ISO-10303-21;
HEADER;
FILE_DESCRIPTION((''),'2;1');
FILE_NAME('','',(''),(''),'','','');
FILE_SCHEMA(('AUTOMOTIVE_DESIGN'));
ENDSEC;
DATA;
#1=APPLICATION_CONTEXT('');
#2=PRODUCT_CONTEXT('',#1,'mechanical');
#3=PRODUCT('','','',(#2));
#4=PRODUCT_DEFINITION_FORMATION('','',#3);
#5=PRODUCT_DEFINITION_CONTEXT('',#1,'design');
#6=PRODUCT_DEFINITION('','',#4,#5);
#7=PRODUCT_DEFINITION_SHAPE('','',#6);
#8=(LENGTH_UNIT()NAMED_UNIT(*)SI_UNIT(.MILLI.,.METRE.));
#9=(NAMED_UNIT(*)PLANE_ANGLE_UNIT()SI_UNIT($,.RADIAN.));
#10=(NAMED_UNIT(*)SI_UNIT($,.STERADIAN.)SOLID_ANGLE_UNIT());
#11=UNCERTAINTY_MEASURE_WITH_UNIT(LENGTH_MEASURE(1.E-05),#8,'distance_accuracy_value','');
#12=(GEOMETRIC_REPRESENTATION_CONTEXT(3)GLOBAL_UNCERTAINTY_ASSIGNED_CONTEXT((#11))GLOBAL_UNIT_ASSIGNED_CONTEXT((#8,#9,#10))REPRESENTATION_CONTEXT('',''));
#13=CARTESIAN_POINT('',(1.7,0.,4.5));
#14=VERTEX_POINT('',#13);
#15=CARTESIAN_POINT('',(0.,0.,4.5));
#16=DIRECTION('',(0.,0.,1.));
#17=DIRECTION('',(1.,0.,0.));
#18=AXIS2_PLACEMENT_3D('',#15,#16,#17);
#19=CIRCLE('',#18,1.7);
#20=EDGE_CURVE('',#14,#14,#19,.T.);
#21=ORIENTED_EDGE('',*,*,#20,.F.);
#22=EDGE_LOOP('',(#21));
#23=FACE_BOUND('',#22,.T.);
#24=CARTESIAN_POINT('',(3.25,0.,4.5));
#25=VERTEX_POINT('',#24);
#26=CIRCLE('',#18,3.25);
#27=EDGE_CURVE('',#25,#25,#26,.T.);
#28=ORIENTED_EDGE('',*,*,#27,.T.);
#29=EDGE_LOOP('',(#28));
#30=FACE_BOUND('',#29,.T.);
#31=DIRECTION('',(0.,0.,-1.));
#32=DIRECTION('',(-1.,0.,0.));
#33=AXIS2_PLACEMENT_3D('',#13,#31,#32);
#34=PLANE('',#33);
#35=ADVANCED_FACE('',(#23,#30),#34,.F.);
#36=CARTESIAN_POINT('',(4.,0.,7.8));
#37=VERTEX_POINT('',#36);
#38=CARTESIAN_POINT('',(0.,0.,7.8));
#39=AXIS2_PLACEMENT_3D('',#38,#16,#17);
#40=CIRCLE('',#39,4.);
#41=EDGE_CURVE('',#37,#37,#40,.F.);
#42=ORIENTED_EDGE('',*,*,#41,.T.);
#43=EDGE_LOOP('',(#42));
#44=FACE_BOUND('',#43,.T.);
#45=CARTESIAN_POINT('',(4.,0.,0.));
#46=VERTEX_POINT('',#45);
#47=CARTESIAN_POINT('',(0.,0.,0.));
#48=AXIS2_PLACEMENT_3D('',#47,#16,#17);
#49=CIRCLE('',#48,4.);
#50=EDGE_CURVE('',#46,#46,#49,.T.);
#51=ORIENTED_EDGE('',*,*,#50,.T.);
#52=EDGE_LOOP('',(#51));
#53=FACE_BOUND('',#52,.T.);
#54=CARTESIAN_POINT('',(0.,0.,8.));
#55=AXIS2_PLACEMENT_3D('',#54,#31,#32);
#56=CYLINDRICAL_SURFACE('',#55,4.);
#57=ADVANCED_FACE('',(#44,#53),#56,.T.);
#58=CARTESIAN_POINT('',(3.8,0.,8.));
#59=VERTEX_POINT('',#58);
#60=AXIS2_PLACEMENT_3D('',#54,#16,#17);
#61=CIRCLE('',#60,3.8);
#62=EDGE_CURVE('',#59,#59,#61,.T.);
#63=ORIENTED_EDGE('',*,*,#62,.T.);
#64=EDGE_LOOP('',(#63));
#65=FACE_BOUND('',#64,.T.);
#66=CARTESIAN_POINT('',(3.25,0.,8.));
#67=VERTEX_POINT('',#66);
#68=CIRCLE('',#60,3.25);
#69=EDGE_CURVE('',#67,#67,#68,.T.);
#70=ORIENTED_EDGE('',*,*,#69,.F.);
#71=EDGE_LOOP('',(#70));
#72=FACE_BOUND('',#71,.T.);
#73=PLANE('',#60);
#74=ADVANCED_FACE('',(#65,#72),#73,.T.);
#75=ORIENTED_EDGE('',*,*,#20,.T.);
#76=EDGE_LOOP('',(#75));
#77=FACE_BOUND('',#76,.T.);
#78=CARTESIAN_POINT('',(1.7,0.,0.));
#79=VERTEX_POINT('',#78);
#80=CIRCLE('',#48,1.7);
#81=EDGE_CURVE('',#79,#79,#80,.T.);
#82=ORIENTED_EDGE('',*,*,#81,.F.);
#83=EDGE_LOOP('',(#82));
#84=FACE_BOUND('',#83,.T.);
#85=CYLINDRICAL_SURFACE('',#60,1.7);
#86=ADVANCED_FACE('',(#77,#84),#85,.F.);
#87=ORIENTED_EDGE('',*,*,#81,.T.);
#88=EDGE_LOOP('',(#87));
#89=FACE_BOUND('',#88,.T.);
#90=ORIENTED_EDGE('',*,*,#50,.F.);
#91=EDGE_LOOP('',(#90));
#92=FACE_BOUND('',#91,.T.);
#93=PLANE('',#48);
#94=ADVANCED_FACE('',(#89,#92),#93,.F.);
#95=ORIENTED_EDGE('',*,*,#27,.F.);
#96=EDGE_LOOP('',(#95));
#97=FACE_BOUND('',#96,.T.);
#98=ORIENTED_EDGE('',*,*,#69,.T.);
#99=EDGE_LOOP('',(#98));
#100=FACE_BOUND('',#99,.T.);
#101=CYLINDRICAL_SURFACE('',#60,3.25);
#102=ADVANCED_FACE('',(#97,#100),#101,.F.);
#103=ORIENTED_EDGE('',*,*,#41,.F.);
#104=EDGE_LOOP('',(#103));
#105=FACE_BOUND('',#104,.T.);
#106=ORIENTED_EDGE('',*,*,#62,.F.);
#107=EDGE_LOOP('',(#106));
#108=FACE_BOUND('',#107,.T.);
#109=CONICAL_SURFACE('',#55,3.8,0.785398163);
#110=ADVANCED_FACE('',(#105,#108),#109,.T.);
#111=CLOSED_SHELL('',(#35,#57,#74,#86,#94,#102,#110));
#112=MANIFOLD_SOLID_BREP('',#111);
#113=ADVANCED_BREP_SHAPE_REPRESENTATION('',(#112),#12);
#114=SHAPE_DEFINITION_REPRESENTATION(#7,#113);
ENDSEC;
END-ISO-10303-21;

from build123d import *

# Parameters (mm, degrees)
ESQUISSE1_R                                        = 4
BOSS_EXTRU_1_DEPTH                                 = 8
CHAMBRAGE_POUR_VIS_T_TE_HEXAGONALE_M31_D           = 3.4
CHAMBRAGE_POUR_VIS_T_TE_HEXAGONALE_M31_CBORE_D     = 6.5
CHAMBRAGE_POUR_VIS_T_TE_HEXAGONALE_M31_CBORE_DEPTH = 3.5
CHANFREIN1_SIZE                                    = 0.2


with BuildPart() as part:
    # Esquisse1 → Boss.-Extru.1 (new body)
    with BuildSketch(Plane.XY):
        Circle(ESQUISSE1_R)
    extrude(amount=BOSS_EXTRU_1_DEPTH)

    # Chambrage pour vis à tête hexagonale M31 (through all)
    with Locations(Plane.XY.offset(8)):
        with Locations((0, 0)):
            CounterBoreHole(CHAMBRAGE_POUR_VIS_T_TE_HEXAGONALE_M31_D / 2, CHAMBRAGE_POUR_VIS_T_TE_HEXAGONALE_M31_CBORE_D / 2, CHAMBRAGE_POUR_VIS_T_TE_HEXAGONALE_M31_CBORE_DEPTH)

    # Chanfrein1
    chanfrein1_edges = [part.edges().sort_by_distance(p)[0] for p in [
        (-4, 0, 8),
    ]]
    chamfer(chanfrein1_edges, length=CHANFREIN1_SIZE)


solid = part.part
